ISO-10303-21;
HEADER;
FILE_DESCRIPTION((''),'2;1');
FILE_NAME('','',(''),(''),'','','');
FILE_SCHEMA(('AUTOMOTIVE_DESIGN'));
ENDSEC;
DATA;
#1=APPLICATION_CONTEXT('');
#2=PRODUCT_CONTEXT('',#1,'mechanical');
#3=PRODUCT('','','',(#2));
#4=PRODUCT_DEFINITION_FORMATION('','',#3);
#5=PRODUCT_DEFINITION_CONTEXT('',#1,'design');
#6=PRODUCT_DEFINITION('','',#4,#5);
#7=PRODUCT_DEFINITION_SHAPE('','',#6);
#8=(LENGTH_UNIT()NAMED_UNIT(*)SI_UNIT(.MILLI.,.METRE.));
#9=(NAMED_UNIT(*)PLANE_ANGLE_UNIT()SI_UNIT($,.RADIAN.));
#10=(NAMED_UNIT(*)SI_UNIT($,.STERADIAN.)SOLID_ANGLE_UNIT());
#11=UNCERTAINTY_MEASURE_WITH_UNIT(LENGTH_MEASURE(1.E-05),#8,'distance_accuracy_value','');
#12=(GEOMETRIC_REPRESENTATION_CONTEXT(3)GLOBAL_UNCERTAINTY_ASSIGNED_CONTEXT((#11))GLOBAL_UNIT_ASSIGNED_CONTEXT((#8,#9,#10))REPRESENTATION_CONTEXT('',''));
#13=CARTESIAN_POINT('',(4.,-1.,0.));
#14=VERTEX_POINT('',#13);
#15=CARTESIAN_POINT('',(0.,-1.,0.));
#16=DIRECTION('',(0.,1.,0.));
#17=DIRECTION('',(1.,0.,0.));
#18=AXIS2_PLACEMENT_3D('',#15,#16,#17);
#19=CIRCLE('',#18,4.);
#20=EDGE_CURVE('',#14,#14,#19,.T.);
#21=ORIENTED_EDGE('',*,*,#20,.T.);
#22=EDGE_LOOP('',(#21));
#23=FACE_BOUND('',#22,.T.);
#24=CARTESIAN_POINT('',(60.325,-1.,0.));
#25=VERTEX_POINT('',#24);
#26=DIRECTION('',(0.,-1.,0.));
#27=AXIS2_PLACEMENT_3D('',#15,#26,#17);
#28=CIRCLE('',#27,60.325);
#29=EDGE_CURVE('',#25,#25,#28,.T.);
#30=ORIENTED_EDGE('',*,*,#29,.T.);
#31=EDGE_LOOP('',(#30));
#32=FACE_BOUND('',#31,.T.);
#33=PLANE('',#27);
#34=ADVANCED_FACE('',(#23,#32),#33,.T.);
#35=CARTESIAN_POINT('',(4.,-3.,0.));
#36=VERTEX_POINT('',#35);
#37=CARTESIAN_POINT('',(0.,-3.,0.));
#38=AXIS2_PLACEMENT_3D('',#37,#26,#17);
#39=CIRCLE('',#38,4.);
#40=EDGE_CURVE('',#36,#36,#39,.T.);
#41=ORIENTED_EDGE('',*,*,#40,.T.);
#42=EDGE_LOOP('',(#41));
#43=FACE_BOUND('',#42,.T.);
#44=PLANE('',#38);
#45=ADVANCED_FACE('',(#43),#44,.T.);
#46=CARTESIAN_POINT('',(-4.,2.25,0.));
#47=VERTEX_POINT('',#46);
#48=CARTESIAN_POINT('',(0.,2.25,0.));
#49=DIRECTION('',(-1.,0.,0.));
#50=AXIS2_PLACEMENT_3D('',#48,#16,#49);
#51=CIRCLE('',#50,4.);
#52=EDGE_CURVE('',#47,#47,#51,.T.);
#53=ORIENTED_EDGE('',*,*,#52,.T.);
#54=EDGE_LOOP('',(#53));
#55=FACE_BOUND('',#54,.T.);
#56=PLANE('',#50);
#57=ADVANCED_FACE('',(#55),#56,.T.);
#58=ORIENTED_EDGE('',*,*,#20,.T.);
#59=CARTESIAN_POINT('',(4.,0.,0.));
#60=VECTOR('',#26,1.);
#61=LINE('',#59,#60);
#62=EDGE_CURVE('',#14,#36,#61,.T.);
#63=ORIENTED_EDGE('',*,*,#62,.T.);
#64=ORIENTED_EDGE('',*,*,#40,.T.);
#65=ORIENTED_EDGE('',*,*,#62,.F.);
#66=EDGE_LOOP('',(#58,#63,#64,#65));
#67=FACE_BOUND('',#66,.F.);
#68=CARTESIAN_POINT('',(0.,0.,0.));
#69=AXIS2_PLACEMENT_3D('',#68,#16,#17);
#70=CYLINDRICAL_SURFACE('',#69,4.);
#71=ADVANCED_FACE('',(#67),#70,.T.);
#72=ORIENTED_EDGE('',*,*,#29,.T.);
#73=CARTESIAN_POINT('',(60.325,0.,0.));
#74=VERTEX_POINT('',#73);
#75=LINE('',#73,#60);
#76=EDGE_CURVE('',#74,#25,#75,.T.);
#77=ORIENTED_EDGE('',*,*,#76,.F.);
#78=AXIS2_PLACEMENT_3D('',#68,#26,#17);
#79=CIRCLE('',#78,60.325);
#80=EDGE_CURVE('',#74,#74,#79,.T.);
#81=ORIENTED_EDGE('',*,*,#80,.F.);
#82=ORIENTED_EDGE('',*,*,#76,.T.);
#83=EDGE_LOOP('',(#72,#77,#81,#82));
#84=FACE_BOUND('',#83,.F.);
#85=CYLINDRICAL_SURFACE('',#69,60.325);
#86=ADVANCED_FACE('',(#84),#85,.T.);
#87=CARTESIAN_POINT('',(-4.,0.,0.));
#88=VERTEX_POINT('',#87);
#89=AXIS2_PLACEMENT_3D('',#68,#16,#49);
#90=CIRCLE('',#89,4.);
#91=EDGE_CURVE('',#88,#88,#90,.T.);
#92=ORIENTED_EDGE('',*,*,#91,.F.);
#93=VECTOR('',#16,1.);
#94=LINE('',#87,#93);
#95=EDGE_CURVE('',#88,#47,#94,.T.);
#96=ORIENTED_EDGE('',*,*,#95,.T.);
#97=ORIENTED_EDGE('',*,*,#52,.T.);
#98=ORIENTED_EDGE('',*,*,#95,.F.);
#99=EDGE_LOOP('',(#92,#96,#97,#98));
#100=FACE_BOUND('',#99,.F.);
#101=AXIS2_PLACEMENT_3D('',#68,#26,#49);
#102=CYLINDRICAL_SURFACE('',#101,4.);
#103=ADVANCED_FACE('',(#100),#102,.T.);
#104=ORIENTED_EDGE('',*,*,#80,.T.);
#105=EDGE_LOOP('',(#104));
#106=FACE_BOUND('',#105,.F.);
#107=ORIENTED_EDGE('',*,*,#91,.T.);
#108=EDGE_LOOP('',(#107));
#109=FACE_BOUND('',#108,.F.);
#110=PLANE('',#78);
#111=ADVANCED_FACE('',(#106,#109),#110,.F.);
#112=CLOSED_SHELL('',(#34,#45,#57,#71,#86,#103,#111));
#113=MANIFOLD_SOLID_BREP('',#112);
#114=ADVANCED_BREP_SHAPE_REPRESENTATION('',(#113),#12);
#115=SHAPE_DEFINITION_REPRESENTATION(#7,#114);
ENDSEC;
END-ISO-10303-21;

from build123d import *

# Parameters (mm, degrees)
F1_R     = 4
F2_DEPTH = 3
F0_R     = 60.325
F3_DEPTH = 1
F4_R     = 4
F5_DEPTH = 2.25


with BuildPart() as f2:
    # F1 (on face) → F2 (new body)
    with BuildSketch(Plane.XZ):
        Circle(F1_R)
    extrude(amount=F2_DEPTH)

    # F0 (on Front) → F3 (join)
    with BuildSketch(Plane.XZ):
        Circle(F0_R)
    extrude(amount=F3_DEPTH)

    # F4 (on face) → F5 (join)
    with BuildSketch(Plane(origin=(0, 0, 0), x_dir=(-1, 0, 0), z_dir=(0, 1, 0))):
        Circle(F4_R)
    extrude(amount=F5_DEPTH)


solid = f2.part
